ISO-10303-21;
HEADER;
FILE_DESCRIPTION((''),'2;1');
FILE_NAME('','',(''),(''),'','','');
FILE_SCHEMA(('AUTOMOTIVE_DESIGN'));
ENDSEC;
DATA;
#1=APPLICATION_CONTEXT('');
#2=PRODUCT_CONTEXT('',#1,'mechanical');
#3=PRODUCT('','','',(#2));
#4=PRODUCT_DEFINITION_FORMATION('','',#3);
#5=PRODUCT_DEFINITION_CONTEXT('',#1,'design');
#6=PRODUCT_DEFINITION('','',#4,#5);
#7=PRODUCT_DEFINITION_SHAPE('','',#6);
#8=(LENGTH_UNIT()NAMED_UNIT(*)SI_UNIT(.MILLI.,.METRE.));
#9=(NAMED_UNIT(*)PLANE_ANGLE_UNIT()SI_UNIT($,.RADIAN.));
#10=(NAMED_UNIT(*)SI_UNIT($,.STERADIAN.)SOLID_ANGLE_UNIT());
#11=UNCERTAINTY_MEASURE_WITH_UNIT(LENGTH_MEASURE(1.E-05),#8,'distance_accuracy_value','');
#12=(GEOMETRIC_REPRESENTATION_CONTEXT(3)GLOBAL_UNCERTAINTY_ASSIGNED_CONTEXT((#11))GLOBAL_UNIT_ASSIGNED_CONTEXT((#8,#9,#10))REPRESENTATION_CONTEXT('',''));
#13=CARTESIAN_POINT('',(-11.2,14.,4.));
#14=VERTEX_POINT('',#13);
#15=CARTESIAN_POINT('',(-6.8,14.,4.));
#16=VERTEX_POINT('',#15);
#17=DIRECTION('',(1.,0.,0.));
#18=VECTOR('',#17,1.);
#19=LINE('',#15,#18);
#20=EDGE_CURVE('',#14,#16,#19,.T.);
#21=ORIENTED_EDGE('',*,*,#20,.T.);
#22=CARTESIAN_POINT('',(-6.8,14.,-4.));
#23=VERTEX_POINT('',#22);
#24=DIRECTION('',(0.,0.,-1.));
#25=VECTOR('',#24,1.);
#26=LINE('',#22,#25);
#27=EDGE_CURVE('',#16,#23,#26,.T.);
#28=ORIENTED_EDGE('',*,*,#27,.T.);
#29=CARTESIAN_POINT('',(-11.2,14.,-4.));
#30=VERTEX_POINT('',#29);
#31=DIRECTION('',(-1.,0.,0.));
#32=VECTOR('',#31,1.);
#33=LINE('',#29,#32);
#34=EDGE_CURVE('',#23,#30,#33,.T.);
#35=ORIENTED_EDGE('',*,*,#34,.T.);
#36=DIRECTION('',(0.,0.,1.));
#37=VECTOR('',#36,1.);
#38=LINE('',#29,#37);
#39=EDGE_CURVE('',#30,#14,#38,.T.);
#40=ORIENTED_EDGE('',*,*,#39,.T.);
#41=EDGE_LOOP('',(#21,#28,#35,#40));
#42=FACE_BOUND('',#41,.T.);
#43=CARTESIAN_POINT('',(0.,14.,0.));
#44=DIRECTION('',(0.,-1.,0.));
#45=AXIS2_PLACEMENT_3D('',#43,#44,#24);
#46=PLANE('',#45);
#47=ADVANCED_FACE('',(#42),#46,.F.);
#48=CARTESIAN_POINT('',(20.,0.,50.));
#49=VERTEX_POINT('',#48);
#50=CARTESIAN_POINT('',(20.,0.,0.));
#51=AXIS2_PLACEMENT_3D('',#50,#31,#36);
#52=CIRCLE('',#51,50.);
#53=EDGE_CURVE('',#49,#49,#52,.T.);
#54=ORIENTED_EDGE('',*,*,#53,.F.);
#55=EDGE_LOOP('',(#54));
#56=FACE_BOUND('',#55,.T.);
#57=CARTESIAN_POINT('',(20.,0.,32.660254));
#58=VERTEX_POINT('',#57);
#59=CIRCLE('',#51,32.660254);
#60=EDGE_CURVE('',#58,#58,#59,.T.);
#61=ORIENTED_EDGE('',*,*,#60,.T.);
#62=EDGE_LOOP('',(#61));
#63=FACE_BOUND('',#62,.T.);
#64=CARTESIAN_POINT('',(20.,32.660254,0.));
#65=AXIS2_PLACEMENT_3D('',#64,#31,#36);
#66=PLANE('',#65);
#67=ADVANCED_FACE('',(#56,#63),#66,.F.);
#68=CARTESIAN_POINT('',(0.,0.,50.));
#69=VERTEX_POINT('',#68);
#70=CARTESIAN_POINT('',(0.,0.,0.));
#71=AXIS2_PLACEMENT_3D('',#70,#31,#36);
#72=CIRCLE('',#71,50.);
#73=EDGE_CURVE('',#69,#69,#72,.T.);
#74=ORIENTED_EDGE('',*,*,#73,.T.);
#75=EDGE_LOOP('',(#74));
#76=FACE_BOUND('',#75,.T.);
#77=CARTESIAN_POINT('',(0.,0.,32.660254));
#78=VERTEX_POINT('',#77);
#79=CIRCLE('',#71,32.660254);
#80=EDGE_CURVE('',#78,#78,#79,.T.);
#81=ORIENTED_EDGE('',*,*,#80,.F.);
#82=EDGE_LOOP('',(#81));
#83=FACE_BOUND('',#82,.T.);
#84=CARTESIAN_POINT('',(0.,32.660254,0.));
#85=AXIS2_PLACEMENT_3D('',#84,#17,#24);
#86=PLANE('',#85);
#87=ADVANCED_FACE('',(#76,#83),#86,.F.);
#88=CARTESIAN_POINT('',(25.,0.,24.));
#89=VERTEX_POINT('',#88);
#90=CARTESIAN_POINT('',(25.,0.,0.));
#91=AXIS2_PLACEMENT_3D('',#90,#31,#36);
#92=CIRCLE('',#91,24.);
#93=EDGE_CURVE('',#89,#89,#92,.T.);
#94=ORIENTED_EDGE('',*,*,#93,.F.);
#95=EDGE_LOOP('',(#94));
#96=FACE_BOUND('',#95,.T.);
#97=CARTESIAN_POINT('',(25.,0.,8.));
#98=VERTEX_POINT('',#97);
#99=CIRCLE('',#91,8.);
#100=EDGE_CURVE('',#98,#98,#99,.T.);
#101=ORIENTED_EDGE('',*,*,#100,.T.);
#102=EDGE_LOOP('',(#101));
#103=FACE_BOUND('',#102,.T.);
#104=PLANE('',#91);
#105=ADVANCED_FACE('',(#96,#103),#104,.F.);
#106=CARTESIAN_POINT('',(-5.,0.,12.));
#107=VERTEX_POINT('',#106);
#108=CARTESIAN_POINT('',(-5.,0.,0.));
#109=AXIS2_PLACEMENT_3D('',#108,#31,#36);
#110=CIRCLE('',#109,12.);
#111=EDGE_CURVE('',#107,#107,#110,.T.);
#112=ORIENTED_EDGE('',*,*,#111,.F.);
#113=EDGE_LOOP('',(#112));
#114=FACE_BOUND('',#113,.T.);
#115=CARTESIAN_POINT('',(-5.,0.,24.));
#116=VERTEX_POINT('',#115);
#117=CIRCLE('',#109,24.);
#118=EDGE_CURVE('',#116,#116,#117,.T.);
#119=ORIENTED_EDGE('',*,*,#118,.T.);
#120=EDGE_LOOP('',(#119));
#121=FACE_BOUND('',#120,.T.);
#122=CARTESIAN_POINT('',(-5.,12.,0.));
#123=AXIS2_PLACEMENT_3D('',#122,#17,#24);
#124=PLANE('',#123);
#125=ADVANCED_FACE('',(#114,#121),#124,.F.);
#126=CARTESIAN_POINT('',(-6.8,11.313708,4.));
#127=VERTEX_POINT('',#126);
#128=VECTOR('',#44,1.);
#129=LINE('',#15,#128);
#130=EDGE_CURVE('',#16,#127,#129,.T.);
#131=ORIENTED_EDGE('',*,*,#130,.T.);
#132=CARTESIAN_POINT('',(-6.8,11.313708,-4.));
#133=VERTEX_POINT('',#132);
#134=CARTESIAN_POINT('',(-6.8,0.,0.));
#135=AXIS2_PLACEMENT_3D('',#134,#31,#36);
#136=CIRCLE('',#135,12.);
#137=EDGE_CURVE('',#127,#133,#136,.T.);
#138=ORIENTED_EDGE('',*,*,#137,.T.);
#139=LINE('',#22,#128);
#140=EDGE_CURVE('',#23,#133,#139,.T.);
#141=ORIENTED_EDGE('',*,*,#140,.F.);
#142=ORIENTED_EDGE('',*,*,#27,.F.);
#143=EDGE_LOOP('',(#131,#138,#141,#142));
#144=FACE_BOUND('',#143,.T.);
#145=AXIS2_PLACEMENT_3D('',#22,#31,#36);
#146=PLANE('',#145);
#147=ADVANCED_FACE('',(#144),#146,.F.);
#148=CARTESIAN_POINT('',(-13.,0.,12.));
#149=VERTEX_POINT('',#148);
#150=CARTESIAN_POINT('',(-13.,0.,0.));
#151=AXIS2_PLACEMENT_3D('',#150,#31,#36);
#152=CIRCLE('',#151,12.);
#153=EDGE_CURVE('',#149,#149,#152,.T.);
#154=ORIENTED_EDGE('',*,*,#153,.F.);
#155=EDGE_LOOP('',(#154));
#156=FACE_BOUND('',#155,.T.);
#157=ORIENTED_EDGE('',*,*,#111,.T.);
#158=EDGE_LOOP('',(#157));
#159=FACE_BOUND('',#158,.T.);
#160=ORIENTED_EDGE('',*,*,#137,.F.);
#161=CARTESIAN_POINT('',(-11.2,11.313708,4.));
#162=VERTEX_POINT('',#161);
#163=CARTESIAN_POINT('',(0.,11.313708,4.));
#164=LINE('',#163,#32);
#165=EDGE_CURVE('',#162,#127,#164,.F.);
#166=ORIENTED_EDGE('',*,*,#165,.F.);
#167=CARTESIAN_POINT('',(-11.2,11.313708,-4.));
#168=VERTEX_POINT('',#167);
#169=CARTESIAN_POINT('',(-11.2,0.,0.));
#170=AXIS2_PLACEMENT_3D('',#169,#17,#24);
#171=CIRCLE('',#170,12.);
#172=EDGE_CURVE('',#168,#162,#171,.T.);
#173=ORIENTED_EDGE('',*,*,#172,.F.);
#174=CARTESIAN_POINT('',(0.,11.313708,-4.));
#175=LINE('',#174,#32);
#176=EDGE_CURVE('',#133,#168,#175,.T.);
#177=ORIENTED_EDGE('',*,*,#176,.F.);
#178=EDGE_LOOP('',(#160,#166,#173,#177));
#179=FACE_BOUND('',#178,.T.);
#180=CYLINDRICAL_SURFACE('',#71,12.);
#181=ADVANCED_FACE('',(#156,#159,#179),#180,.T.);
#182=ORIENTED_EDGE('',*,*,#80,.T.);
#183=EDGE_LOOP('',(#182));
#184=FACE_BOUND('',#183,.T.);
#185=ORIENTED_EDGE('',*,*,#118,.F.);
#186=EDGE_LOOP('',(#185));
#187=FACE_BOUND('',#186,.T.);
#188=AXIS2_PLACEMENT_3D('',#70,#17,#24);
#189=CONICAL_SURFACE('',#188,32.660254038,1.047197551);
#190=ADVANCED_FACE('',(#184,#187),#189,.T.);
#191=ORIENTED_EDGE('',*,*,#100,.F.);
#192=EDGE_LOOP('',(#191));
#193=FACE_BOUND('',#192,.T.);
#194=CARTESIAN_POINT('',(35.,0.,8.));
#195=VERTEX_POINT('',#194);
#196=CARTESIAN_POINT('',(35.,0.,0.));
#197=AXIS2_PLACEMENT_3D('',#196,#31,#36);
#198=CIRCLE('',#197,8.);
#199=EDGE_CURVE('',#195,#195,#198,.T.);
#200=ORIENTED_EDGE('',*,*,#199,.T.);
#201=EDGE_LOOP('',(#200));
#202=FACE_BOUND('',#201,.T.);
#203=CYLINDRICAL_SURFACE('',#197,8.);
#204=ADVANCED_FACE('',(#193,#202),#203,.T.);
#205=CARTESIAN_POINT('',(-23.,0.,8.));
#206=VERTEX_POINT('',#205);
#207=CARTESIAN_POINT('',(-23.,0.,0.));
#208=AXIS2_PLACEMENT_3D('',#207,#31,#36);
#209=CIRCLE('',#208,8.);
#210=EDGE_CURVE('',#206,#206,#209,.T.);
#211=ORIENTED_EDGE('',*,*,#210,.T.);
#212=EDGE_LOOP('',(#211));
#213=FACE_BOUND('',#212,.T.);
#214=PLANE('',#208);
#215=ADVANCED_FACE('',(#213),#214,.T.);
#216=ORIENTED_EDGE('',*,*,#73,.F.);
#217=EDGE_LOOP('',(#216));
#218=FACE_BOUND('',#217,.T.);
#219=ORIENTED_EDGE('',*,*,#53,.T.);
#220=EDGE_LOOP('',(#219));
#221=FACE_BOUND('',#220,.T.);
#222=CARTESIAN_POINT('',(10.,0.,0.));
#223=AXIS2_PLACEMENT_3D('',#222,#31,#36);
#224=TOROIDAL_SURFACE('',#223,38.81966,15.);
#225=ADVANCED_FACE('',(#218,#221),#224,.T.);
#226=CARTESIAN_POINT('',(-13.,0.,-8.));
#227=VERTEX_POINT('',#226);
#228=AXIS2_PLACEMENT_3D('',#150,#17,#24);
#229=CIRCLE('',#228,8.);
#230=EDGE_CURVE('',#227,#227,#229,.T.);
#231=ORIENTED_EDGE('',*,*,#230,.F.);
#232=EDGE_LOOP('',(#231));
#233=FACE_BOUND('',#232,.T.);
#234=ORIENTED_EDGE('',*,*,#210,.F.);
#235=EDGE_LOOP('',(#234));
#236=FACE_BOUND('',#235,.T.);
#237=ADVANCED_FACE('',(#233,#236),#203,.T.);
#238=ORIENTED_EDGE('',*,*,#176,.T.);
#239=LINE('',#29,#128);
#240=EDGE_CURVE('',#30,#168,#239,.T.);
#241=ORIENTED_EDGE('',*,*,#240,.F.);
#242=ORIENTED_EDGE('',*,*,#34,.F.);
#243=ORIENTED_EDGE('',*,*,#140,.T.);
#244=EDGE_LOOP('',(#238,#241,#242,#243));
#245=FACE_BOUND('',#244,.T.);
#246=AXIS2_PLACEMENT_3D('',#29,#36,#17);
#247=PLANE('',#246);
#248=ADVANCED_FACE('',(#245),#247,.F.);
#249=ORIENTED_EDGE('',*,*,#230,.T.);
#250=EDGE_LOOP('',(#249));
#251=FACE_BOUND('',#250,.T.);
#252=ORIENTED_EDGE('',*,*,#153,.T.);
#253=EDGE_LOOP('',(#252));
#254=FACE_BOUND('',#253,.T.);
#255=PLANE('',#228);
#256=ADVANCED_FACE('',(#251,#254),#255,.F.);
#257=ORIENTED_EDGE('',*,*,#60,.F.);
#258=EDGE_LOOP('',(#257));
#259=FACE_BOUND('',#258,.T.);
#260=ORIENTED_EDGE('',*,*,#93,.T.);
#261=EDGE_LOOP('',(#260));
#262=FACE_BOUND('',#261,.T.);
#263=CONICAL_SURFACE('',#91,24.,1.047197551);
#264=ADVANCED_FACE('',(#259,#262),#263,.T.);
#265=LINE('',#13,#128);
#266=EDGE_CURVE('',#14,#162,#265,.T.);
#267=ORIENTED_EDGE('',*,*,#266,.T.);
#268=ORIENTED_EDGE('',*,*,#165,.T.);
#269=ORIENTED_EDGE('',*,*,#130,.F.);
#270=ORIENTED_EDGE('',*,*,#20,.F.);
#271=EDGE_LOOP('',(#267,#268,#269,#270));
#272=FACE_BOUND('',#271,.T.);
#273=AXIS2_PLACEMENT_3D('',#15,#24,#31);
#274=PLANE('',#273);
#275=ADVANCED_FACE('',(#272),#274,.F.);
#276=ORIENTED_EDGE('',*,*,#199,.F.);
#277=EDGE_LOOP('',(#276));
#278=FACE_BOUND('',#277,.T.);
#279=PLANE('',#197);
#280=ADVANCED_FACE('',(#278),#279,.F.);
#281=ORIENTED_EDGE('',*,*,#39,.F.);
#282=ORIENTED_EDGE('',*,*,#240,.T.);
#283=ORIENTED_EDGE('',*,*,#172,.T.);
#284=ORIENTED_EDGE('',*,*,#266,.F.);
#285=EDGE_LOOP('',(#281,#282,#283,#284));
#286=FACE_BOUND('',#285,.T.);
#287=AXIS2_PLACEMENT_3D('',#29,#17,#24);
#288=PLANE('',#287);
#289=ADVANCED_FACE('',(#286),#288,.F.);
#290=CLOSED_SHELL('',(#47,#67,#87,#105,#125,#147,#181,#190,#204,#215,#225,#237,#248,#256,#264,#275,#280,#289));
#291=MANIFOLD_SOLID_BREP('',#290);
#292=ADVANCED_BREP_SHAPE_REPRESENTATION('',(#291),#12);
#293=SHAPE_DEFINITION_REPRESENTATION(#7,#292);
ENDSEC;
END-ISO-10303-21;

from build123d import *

# Parameters (mm, degrees)
EXTRUDE_1_DEPTH      = 10
EXTRUDE_1_DEPTH_BACK = 48
SKETCH_2_R           = 8
SKETCH_3_W           = 4.4
SKETCH_3_H           = 8
EXTRUDE_2_DEPTH      = 14


with BuildPart() as part:
    # 草图1 → 旋转1 (revolve)
    with BuildSketch(Plane.XY, mode=Mode.PRIVATE) as revolve_1_sk:
        with BuildLine():
            Line((20, 0), (25, 0))
            Line((25, 0), (25, 24))
            Line((25, 24), (20, 32.660254038))
            Line((20, 32.660254038), (20, 50))
            ThreePointArc((20, 50), (10, 53.819660113), (0, 50))
            Line((0, 50), (0, 32.660254038))
            Line((0, 32.660254038), (-5, 24))
            Line((-5, 24), (-5, 12))
            Line((-5, 12), (-13, 12))
            Line((-13, 12), (-13, 0))
            Line((-13, 0), (-5, 0))
            Line((-5, 0), (0, 0))
            Line((0, 0), (20, 0))
        make_face()
    revolve(revolve_1_sk.sketch.rotate(Axis((0, 0, 0), (1, 0, 0)), 90), axis=Axis((0, 0, 0), (1, 0, 0)))

    # 草图2 → 凸台-拉伸1 (add, two sides: drawn at the far end of the back side and taken through both)
    with BuildSketch(Plane.ZY.offset(13).offset(-EXTRUDE_1_DEPTH_BACK)):
        Circle(SKETCH_2_R)
    extrude(amount=EXTRUDE_1_DEPTH + EXTRUDE_1_DEPTH_BACK)

    # 草图3 → 凸台-拉伸2 (add)
    with BuildSketch(Plane(origin=(0, 0, 0), x_dir=(1, 0, 0), z_dir=(0, 1, 0))):
        with Locations((-9, 0)):
            Rectangle(SKETCH_3_W, SKETCH_3_H)
    extrude(amount=EXTRUDE_2_DEPTH)


solid = part.part
